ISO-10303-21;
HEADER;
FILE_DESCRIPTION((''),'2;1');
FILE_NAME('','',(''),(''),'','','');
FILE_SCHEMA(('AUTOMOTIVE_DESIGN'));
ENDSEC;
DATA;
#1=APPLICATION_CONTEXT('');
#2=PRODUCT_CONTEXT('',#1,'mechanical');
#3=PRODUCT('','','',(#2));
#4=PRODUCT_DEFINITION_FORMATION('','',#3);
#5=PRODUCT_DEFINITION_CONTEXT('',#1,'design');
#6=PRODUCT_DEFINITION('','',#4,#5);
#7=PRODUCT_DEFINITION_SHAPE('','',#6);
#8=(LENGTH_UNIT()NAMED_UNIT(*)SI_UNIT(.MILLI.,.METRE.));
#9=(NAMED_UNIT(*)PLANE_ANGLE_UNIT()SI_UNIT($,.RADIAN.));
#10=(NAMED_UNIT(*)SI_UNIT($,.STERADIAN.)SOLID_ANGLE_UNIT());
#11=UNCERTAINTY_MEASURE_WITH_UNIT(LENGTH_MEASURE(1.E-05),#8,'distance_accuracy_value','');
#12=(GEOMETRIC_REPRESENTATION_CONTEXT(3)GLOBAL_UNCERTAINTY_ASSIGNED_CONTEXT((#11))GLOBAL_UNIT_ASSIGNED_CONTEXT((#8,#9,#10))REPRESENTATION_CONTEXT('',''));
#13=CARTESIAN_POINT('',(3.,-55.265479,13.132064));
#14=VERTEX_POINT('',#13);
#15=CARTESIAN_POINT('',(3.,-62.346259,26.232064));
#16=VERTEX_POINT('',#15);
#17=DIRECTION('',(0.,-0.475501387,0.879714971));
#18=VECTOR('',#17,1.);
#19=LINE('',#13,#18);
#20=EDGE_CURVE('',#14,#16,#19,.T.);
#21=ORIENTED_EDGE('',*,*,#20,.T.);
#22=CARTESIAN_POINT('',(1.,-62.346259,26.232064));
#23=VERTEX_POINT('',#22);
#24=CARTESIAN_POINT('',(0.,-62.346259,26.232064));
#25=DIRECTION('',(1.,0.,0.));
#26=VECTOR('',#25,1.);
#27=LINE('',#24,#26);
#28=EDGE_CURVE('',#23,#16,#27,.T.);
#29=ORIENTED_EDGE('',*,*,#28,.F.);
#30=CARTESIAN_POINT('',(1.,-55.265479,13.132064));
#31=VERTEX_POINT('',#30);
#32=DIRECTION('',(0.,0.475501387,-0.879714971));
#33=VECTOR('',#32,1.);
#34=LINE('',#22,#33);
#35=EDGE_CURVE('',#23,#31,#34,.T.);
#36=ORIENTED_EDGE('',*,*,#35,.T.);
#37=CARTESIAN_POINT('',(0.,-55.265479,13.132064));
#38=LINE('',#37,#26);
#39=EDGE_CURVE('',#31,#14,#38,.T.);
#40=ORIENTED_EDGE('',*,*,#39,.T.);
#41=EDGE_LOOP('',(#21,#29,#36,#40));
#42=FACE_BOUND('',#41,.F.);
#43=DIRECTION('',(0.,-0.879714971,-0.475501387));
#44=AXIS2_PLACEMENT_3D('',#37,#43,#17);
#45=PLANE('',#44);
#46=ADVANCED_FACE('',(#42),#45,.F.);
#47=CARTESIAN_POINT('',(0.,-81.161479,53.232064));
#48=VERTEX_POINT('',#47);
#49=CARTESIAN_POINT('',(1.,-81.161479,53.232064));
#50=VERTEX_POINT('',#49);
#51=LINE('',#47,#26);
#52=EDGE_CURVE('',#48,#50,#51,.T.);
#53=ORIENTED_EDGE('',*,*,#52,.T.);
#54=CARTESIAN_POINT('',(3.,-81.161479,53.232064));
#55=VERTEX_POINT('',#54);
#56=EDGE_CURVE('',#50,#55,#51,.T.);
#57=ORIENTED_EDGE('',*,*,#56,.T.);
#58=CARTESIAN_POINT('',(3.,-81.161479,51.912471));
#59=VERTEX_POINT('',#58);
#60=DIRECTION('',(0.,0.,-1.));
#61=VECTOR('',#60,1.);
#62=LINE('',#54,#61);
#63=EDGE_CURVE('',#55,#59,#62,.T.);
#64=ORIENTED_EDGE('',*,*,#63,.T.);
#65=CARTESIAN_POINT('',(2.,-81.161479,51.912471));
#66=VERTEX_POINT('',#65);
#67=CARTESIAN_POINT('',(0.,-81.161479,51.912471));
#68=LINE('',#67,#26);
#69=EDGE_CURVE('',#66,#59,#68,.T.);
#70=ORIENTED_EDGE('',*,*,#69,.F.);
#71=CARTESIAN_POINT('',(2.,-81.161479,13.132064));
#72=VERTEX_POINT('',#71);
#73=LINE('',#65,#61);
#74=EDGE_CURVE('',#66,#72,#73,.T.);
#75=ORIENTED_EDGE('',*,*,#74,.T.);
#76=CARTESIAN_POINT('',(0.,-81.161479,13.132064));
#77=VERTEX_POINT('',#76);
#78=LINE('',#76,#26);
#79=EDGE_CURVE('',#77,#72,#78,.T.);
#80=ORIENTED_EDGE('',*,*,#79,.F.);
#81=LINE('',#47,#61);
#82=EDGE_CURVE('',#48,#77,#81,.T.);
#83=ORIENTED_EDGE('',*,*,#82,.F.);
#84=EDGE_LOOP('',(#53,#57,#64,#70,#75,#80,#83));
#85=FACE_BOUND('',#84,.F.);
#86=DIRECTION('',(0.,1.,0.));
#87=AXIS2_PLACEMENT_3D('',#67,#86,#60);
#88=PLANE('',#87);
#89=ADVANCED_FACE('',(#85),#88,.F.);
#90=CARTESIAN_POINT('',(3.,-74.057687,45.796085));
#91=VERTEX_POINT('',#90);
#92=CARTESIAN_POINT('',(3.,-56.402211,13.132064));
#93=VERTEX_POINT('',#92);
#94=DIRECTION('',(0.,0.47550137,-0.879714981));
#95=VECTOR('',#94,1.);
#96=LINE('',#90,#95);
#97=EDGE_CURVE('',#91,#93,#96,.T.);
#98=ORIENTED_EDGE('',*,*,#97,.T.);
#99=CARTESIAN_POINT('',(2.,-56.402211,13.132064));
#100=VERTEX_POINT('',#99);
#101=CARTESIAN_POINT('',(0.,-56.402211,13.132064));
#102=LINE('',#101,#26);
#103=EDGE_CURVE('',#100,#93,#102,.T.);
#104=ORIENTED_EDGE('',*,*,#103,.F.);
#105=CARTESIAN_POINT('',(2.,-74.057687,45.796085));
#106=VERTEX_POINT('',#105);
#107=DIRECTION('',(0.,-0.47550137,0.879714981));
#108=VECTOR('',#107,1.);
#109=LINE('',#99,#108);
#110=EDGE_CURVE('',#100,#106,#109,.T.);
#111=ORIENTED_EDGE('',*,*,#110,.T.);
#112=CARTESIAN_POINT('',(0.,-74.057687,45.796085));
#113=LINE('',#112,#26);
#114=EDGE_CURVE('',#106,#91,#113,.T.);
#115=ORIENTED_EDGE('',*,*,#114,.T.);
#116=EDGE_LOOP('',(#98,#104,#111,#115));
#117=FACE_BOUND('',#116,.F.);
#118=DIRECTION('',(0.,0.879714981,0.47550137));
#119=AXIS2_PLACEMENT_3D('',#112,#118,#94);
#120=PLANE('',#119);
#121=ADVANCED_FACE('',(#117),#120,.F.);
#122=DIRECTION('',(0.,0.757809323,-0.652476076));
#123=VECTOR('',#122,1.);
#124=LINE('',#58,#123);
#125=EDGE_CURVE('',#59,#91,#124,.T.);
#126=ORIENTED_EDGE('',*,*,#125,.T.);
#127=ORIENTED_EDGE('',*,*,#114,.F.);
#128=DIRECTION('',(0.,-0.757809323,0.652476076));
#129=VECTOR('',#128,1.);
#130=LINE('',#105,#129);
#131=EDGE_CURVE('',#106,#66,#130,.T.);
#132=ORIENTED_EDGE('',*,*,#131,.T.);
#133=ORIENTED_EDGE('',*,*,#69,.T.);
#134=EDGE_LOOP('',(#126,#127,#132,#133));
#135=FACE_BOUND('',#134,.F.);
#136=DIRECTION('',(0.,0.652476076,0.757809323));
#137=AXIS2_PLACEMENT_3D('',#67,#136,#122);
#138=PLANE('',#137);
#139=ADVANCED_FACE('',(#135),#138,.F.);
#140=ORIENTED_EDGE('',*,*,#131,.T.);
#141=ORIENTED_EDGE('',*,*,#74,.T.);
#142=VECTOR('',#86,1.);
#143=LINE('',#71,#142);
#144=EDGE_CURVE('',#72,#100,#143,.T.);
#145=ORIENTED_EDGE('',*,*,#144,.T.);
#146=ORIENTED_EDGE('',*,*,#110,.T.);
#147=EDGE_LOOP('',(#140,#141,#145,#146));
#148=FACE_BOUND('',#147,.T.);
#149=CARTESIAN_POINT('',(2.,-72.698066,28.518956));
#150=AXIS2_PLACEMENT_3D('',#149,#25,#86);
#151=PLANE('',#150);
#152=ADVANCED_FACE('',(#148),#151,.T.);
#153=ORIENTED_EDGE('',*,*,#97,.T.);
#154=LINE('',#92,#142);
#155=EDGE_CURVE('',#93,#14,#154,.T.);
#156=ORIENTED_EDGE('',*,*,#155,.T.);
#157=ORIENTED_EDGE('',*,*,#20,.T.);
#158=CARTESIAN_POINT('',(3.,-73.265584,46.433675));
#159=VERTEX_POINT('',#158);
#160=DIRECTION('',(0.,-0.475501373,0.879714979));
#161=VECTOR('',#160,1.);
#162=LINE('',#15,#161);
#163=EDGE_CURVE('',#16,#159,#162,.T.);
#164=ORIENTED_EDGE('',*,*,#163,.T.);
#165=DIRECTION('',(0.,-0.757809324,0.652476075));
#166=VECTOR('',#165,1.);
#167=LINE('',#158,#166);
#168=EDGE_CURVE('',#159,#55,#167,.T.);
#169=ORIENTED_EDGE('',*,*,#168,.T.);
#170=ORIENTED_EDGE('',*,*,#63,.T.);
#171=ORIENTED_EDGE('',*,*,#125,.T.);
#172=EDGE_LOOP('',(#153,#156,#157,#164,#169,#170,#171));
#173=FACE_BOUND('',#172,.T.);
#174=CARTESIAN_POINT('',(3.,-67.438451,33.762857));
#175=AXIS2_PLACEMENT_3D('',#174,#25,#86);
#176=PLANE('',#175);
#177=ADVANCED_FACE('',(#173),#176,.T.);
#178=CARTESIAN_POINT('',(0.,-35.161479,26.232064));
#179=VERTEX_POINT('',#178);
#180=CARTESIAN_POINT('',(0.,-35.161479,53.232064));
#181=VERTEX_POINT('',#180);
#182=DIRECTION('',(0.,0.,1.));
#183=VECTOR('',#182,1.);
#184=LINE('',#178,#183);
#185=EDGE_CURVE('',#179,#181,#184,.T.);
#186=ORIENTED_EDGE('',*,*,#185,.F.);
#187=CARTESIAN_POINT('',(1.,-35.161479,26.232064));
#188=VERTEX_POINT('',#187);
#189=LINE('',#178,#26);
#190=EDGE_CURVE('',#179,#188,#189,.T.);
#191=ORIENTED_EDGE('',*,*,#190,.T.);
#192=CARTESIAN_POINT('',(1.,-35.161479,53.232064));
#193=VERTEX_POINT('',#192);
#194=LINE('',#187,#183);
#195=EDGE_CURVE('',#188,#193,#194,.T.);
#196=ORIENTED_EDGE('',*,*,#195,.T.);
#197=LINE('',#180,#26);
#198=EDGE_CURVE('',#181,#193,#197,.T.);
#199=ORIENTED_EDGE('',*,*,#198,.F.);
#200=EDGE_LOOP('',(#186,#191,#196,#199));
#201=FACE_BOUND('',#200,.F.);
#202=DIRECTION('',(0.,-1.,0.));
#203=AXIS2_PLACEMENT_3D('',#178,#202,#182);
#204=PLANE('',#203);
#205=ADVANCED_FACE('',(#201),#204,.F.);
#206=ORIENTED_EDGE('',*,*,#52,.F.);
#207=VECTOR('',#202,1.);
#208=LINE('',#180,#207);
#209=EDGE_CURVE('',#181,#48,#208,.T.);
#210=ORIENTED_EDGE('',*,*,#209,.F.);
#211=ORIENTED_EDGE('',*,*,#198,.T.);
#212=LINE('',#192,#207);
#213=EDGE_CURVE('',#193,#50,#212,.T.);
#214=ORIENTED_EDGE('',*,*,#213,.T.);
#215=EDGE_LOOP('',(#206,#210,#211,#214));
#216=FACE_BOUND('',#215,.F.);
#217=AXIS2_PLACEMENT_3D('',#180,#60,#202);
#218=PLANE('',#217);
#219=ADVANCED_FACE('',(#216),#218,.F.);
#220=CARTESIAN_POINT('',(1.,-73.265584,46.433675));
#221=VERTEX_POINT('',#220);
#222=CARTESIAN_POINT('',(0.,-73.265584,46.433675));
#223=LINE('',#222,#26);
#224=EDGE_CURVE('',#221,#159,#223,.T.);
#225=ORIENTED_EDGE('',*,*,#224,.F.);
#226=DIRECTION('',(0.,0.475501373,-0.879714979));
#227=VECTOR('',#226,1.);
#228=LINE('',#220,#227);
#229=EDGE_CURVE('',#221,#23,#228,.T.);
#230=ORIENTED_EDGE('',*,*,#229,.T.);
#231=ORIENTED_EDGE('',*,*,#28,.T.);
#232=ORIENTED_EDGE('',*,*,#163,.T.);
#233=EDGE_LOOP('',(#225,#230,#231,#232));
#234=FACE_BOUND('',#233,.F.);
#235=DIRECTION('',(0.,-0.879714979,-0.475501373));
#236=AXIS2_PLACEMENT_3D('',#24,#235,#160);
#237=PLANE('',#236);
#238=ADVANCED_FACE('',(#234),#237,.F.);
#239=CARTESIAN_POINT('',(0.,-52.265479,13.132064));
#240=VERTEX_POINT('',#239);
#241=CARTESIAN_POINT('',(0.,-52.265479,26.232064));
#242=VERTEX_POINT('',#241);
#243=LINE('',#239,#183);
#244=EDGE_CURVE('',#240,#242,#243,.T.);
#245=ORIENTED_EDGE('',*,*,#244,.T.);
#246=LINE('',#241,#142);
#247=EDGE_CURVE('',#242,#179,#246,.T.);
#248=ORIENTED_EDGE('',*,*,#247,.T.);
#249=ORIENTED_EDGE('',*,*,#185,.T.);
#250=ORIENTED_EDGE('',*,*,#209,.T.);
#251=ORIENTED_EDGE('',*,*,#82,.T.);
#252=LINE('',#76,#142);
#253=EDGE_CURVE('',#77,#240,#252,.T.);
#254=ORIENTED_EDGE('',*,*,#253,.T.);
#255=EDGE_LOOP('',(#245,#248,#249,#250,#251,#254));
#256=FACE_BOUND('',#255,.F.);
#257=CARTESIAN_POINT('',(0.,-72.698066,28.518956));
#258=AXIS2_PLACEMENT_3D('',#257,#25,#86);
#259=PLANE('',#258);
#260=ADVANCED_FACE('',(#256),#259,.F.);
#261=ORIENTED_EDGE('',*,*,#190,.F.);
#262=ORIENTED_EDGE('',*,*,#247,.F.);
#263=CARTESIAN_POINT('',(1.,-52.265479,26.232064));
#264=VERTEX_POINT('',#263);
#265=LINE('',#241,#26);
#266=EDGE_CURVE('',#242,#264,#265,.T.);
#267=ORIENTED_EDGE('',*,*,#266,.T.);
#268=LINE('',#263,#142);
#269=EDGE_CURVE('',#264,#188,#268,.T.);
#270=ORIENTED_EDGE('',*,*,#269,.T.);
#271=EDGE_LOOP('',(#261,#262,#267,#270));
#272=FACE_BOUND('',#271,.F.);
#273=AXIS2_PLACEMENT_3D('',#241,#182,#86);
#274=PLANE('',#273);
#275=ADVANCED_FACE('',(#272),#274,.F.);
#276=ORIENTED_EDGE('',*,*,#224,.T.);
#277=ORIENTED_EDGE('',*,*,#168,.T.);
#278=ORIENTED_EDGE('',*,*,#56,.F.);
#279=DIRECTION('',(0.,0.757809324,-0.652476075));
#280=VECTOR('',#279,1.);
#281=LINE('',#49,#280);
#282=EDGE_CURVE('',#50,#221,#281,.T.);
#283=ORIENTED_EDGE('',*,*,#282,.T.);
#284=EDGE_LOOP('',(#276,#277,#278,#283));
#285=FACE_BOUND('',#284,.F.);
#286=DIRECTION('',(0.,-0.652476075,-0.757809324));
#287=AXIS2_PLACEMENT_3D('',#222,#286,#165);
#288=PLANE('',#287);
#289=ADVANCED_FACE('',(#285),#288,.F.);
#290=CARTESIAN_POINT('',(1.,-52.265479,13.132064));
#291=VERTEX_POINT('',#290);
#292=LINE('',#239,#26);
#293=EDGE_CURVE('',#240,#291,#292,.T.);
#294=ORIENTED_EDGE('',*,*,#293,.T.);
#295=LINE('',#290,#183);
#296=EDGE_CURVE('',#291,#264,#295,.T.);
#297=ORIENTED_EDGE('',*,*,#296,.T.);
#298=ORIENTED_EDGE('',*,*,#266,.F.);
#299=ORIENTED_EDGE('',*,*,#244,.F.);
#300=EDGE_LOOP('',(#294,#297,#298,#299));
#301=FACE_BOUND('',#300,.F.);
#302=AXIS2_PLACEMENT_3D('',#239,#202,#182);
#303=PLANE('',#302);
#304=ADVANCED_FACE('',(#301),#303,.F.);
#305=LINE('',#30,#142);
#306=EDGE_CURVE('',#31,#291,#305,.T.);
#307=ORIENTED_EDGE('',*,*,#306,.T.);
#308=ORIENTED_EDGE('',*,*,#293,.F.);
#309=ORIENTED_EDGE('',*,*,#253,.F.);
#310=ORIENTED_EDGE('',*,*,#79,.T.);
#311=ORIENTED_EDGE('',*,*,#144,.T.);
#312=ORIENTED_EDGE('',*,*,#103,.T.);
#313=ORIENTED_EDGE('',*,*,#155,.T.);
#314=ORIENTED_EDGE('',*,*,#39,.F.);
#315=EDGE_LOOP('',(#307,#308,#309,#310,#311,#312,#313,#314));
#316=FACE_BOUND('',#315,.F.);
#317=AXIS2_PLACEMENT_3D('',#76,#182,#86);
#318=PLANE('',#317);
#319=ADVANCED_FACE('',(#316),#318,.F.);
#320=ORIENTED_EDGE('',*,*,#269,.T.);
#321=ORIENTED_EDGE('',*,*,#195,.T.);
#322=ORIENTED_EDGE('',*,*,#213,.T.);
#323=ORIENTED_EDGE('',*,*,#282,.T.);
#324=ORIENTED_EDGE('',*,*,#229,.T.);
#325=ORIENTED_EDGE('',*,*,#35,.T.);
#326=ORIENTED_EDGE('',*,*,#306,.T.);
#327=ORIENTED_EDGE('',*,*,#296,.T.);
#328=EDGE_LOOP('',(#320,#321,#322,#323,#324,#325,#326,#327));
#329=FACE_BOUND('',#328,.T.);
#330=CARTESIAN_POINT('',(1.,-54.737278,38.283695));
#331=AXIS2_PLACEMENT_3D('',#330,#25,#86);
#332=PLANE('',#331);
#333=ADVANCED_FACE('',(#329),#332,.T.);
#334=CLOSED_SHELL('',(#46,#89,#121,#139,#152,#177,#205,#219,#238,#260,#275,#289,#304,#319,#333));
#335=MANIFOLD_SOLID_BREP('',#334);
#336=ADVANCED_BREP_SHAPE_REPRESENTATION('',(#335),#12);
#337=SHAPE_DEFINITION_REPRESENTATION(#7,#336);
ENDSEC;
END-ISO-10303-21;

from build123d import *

# Parameters (mm, degrees)
F1_DEPTH = 1
F2_DEPTH = 3
F3_DEPTH = 2


with BuildPart() as f1:
    # F0 (on Right) → F1 (new body)
    with BuildSketch(Plane.YZ):
        Polygon((-35.161479, 26.232064), (-35.161479, 53.232064), (-81.161479, 53.232064), (-73.265584, 46.433675), (-62.346259, 26.232064), (-55.265479, 13.132064), (-52.265479, 13.132064), (-52.265479, 26.232064), (-45.161479, 26.232064), align=None)
    extrude(amount=F1_DEPTH)

    # F0 (on Right) → F2 (join)
    with BuildSketch(Plane.YZ):
        Polygon((-73.265584, 46.433675), (-81.161479, 53.232064), (-81.161479, 51.912471), (-74.057687, 45.796085), (-56.402211, 13.132064), (-55.265479, 13.132064), (-62.346259, 26.232064), align=None)
    extrude(amount=F2_DEPTH)

    # F0 (on Right) → F3 (join)
    with BuildSketch(Plane.YZ):
        Polygon((-74.057687, 45.796085), (-81.161479, 51.912471), (-81.161479, 26.232064), (-81.161479, 13.132064), (-56.402211, 13.132064), align=None)
    extrude(amount=F3_DEPTH)


solid = f1.part
